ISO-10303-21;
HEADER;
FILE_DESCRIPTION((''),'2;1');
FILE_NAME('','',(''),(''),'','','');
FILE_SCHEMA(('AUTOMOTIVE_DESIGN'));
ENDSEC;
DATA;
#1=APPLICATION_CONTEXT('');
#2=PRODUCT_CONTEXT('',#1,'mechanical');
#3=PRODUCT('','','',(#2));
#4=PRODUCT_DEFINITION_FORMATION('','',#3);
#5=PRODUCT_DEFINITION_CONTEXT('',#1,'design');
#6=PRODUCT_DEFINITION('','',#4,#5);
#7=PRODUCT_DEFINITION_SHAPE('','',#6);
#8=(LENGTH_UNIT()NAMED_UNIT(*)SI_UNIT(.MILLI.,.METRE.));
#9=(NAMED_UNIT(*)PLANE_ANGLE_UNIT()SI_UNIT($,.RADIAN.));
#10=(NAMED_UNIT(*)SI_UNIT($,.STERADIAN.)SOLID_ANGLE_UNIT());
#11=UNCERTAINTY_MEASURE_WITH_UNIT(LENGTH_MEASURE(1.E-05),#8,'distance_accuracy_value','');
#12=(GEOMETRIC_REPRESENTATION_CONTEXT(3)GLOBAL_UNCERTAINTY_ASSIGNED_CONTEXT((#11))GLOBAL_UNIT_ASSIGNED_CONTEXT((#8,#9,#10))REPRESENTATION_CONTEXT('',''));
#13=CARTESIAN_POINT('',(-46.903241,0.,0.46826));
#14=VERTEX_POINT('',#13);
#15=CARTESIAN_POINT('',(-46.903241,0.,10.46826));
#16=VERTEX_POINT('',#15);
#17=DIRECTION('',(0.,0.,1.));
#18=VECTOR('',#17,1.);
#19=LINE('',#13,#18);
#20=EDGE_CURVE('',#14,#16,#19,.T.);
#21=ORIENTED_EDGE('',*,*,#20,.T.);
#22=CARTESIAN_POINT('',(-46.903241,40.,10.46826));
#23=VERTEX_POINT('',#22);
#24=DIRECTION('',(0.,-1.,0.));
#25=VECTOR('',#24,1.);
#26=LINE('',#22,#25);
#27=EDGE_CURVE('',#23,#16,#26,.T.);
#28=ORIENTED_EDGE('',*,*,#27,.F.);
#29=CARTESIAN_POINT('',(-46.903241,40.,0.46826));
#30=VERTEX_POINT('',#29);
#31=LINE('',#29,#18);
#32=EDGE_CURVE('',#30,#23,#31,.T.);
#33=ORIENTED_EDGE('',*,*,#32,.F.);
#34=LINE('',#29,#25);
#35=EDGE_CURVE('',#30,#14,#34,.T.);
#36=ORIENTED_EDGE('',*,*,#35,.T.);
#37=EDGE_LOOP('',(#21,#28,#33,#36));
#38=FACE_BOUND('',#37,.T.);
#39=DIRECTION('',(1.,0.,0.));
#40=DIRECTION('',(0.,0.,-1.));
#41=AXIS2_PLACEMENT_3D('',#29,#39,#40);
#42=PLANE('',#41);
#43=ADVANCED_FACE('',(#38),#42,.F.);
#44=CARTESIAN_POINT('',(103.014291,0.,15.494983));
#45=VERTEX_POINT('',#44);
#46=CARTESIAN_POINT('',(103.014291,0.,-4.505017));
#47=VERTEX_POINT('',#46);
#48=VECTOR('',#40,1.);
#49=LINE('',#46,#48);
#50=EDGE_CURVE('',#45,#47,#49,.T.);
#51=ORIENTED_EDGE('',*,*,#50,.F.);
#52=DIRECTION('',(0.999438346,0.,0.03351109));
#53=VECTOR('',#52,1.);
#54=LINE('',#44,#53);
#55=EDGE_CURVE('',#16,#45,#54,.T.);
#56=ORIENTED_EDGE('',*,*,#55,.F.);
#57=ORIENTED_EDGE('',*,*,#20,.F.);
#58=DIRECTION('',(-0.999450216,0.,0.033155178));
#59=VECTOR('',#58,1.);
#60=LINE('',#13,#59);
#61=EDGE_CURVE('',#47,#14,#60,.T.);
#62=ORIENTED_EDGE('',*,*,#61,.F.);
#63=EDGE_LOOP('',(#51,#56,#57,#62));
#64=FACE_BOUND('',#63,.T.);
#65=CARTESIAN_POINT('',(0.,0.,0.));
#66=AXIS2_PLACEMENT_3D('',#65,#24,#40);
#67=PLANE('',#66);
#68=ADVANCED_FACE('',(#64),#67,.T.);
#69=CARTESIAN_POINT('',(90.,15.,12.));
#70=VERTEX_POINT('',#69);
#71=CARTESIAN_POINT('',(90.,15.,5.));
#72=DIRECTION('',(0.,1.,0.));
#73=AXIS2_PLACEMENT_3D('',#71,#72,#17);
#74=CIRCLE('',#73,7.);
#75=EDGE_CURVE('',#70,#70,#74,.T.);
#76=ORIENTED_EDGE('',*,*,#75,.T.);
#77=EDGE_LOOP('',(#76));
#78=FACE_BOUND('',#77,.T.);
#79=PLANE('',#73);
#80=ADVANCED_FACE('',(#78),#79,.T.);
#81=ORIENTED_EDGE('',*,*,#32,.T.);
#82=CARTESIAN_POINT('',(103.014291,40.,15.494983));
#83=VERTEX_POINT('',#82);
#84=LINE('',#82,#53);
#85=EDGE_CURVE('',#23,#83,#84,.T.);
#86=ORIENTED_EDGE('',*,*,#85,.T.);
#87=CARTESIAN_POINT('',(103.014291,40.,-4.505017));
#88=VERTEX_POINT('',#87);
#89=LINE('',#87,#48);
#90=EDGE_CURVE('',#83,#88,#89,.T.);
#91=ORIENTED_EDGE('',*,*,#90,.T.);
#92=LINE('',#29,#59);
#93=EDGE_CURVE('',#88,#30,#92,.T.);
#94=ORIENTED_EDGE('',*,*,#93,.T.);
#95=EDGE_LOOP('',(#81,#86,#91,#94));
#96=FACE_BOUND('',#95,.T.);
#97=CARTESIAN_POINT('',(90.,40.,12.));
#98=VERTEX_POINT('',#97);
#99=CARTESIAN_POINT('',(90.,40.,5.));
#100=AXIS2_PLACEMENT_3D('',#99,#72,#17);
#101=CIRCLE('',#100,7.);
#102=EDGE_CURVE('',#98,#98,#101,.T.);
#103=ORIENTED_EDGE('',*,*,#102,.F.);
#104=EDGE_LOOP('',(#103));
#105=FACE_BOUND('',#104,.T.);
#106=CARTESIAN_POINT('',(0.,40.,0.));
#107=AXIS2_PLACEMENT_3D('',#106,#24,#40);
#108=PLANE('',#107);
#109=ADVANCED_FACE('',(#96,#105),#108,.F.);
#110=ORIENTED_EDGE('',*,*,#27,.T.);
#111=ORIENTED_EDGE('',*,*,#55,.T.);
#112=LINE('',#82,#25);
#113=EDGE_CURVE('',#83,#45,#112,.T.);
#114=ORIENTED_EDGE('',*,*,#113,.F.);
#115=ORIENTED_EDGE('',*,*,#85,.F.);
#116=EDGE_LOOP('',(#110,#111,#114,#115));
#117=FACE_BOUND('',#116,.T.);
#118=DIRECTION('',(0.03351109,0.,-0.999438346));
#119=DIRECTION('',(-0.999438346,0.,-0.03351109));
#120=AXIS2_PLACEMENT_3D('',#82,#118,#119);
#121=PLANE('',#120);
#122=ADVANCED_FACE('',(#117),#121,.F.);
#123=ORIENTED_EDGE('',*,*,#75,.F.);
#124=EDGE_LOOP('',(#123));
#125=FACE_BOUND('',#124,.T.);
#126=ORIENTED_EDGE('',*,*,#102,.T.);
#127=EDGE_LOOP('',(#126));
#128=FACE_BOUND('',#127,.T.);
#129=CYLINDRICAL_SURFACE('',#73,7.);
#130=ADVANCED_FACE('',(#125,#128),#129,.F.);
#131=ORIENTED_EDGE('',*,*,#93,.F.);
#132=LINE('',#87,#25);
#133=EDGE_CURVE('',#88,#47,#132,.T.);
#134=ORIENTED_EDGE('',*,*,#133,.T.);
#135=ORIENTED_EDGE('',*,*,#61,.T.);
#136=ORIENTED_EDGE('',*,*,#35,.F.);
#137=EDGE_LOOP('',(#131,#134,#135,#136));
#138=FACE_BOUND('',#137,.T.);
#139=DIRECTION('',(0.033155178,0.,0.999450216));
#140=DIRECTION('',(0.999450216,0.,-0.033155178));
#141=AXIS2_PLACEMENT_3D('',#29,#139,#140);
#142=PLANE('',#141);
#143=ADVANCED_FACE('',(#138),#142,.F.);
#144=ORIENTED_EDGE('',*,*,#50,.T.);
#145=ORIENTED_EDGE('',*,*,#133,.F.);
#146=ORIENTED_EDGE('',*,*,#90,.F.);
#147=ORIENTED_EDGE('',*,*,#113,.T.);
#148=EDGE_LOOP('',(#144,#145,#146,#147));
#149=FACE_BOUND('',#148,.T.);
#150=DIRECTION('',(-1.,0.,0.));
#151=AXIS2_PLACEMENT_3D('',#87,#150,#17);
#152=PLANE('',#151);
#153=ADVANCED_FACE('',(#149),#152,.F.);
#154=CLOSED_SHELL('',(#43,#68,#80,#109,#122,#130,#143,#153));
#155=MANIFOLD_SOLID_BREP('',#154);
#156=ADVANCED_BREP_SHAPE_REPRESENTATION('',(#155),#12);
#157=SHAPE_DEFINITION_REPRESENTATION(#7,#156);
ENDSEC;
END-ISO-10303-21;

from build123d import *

# Parameters (mm, degrees)
BOSS_EXTRUDE1_DEPTH = 40
SKETCH2_R           = 7
CUT_EXTRUDE1_DEPTH  = 25


with BuildPart() as part:
    # Sketch1 → Boss-Extrude1 (new body)
    with BuildSketch(Plane(origin=(0, 0, 0), x_dir=(1, 0, 0), z_dir=(0, 1, 0))):
        Polygon((-46.903241084, -0.468259604), (-46.903241084, -10.468259604), (103.014291308, -15.494982846), (103.014291308, 4.505017154), align=None)
    extrude(amount=BOSS_EXTRUDE1_DEPTH)

    # Sketch2 → Cut-Extrude1 (cut)
    with BuildSketch(Plane(origin=(0, 40, 0), x_dir=(1, 0, 0), z_dir=(0, 1, 0))):
        with Locations((90, -5)):
            Circle(SKETCH2_R)
    extrude(amount=-CUT_EXTRUDE1_DEPTH, mode=Mode.SUBTRACT)


solid = part.part
